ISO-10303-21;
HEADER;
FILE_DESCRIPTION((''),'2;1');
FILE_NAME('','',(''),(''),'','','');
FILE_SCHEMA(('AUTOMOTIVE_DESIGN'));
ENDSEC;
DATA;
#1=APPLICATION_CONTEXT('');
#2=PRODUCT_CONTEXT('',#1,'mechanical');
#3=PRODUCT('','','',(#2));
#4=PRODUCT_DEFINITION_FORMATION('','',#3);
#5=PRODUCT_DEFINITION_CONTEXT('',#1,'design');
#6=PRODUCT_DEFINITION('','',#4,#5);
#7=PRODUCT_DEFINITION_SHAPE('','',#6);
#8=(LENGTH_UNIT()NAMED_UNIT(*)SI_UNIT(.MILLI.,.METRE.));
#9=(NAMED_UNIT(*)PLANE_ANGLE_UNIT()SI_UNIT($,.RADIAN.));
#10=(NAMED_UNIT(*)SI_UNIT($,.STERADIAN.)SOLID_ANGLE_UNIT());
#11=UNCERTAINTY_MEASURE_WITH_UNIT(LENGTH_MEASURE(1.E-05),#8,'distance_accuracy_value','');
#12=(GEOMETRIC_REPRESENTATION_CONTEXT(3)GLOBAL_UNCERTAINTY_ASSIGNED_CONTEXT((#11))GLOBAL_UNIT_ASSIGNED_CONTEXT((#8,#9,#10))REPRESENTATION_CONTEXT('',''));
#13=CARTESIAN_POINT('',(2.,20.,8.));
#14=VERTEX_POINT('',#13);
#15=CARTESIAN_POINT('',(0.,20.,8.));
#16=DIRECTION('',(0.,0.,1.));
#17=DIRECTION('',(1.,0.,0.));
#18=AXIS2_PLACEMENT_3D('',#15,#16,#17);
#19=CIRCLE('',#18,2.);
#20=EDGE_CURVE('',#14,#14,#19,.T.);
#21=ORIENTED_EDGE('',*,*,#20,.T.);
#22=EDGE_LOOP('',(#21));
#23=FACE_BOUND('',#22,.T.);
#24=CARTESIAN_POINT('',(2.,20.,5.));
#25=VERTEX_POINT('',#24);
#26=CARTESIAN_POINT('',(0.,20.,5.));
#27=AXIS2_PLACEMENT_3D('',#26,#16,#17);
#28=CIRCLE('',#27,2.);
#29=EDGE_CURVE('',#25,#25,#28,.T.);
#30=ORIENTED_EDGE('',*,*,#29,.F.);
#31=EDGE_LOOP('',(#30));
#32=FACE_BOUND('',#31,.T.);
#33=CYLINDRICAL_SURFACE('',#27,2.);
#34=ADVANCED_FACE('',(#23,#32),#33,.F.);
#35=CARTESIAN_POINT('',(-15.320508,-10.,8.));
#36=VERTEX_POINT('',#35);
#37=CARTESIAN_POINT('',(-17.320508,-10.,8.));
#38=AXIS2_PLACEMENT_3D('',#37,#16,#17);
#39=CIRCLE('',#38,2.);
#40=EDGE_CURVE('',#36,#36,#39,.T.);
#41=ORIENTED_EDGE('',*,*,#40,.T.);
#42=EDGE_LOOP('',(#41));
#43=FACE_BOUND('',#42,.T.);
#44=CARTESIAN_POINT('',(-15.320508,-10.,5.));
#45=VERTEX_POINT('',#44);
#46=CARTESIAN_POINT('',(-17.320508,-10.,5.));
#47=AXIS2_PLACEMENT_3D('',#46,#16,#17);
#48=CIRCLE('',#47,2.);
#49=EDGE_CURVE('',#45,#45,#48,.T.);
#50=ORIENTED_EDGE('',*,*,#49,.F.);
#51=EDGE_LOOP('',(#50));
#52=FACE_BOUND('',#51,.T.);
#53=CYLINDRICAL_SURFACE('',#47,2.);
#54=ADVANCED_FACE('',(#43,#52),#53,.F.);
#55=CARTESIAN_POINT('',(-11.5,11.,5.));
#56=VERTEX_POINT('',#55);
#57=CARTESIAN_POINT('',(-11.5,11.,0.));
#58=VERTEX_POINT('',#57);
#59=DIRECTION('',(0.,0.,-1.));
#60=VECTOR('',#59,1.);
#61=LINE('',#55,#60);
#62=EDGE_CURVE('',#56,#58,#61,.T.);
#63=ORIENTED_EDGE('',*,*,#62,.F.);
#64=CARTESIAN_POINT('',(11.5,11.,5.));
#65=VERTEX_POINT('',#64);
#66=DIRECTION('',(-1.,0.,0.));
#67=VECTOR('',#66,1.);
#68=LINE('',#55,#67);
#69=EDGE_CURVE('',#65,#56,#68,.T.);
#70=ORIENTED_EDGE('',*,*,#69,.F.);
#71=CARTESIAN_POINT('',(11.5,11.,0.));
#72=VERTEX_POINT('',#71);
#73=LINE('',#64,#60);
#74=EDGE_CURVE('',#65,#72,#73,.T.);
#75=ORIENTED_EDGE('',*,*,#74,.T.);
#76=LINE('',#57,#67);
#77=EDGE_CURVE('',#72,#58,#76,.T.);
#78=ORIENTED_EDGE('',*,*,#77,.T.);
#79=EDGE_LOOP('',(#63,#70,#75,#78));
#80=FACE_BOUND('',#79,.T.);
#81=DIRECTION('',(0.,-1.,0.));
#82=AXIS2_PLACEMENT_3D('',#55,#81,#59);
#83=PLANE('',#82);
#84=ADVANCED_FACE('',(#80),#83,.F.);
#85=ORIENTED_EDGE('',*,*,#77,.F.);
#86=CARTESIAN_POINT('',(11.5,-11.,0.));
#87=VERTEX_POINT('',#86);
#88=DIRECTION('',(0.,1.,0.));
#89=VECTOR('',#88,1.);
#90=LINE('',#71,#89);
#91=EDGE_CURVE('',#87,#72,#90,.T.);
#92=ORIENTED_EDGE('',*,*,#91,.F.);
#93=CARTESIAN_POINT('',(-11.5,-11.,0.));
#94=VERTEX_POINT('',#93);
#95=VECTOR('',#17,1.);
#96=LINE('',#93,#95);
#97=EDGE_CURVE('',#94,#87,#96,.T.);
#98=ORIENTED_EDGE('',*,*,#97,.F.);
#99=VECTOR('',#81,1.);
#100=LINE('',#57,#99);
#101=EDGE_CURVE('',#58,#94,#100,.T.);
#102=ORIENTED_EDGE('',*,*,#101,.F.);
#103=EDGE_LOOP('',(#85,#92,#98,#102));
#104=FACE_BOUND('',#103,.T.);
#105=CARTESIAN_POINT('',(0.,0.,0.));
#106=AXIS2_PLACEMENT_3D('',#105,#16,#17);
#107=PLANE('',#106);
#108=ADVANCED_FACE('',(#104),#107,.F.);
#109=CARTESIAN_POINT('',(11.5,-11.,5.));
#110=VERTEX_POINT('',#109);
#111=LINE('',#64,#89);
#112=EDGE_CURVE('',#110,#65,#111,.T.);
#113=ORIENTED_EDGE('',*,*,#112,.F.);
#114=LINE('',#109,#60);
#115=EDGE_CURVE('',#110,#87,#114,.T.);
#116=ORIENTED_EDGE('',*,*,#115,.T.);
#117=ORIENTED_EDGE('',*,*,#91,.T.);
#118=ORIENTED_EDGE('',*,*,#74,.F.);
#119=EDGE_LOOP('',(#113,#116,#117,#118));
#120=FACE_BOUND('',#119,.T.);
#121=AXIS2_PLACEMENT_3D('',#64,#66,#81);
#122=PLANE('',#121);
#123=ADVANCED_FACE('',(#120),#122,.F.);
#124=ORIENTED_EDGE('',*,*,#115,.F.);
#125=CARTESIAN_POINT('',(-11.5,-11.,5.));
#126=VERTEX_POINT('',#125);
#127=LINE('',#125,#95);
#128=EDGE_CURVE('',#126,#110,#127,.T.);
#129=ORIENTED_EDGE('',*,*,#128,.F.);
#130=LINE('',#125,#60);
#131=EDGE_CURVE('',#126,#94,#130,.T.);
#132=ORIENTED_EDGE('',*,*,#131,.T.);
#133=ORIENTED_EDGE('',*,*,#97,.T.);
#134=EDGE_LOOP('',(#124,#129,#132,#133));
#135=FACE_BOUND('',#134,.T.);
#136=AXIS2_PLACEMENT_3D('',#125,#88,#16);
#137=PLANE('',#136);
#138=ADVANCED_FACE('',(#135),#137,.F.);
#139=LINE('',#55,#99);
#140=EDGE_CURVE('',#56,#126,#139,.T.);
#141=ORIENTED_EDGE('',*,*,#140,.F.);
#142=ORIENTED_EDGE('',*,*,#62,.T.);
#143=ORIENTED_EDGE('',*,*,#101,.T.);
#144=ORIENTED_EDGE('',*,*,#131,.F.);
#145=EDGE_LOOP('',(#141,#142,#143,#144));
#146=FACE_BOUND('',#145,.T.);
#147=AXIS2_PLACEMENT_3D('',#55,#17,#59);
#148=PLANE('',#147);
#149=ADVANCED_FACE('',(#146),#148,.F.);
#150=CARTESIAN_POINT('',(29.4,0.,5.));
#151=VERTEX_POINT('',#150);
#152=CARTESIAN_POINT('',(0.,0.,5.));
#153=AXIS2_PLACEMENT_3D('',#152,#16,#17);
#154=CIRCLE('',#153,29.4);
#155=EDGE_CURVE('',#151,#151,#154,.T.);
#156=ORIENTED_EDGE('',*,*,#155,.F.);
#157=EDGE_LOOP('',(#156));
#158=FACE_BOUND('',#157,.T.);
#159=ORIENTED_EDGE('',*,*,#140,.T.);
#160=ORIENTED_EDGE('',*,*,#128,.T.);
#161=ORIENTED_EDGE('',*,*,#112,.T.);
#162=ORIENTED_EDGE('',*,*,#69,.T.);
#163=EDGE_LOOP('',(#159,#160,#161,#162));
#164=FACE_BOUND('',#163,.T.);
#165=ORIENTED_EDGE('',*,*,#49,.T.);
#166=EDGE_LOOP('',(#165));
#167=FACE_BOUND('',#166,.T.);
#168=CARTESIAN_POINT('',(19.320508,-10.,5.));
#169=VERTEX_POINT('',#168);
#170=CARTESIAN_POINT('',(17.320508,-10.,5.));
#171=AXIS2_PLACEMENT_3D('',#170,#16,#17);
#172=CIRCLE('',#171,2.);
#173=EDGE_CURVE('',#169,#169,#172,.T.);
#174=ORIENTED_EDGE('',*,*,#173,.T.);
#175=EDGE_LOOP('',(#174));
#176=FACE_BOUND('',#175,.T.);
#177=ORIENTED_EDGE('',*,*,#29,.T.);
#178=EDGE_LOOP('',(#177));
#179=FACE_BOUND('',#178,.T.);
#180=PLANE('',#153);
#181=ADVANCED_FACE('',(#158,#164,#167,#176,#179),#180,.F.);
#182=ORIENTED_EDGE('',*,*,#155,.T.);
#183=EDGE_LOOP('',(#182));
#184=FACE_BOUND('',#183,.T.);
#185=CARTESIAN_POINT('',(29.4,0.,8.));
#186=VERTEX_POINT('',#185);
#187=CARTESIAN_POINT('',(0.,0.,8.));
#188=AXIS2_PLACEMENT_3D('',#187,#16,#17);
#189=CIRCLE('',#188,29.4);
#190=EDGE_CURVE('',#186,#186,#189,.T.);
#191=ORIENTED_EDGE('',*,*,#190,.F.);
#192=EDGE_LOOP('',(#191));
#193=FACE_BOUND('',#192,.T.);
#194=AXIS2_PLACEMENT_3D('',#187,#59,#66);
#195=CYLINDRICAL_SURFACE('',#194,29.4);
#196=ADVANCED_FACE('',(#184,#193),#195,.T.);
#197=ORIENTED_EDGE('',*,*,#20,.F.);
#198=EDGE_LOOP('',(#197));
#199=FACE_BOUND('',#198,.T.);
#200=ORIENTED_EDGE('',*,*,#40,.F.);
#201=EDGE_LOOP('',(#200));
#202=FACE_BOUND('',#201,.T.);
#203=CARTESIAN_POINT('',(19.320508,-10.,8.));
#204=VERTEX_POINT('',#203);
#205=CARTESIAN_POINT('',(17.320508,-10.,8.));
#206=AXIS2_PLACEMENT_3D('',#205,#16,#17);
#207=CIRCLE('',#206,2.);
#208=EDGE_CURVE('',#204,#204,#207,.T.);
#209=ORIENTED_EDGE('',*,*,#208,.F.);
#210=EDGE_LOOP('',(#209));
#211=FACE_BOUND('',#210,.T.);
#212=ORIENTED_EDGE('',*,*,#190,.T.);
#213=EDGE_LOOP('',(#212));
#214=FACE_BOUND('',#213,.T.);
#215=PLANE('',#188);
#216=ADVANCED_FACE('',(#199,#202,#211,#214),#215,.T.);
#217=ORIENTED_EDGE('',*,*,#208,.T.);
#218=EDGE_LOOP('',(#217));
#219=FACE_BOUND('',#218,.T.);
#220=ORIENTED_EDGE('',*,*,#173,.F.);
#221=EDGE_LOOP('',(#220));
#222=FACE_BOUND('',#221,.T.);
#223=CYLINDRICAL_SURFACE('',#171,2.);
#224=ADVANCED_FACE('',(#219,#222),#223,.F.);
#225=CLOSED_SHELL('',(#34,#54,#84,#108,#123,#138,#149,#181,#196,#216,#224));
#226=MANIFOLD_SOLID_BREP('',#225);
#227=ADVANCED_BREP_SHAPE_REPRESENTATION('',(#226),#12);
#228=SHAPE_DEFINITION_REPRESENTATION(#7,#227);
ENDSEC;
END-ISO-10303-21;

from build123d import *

# Parameters (mm, degrees)
SKETCH1_W           = 23
SKETCH1_H           = 22
BOSS_EXTRUDE1_DEPTH = 5
SKETCH3_R           = 29.4
BOSS_EXTRUDE2_DEPTH = 3
SKETCH4_R           = 2
CUT_EXTRUDE1_DEPTH  = 3


with BuildPart() as part:
    # Sketch1 → Boss-Extrude1 (new body)
    with BuildSketch(Plane.XY):
        Rectangle(SKETCH1_W, SKETCH1_H)
    extrude(amount=BOSS_EXTRUDE1_DEPTH)

    # Sketch3 → Boss-Extrude2 (add)
    with BuildSketch(Plane.XY.offset(5)):
        Circle(SKETCH3_R)
    extrude(amount=BOSS_EXTRUDE2_DEPTH)

    # Sketch4 → Cut-Extrude1 (cut)
    with BuildSketch(Plane.XY.offset(8)):
        with Locations((0, 20)):
            Circle(SKETCH4_R)
        with Locations((17.320508076, -10)):
            Circle(SKETCH4_R)
        with Locations((-17.320508076, -10)):
            Circle(SKETCH4_R)
    extrude(amount=-CUT_EXTRUDE1_DEPTH, mode=Mode.SUBTRACT)


solid = part.part
